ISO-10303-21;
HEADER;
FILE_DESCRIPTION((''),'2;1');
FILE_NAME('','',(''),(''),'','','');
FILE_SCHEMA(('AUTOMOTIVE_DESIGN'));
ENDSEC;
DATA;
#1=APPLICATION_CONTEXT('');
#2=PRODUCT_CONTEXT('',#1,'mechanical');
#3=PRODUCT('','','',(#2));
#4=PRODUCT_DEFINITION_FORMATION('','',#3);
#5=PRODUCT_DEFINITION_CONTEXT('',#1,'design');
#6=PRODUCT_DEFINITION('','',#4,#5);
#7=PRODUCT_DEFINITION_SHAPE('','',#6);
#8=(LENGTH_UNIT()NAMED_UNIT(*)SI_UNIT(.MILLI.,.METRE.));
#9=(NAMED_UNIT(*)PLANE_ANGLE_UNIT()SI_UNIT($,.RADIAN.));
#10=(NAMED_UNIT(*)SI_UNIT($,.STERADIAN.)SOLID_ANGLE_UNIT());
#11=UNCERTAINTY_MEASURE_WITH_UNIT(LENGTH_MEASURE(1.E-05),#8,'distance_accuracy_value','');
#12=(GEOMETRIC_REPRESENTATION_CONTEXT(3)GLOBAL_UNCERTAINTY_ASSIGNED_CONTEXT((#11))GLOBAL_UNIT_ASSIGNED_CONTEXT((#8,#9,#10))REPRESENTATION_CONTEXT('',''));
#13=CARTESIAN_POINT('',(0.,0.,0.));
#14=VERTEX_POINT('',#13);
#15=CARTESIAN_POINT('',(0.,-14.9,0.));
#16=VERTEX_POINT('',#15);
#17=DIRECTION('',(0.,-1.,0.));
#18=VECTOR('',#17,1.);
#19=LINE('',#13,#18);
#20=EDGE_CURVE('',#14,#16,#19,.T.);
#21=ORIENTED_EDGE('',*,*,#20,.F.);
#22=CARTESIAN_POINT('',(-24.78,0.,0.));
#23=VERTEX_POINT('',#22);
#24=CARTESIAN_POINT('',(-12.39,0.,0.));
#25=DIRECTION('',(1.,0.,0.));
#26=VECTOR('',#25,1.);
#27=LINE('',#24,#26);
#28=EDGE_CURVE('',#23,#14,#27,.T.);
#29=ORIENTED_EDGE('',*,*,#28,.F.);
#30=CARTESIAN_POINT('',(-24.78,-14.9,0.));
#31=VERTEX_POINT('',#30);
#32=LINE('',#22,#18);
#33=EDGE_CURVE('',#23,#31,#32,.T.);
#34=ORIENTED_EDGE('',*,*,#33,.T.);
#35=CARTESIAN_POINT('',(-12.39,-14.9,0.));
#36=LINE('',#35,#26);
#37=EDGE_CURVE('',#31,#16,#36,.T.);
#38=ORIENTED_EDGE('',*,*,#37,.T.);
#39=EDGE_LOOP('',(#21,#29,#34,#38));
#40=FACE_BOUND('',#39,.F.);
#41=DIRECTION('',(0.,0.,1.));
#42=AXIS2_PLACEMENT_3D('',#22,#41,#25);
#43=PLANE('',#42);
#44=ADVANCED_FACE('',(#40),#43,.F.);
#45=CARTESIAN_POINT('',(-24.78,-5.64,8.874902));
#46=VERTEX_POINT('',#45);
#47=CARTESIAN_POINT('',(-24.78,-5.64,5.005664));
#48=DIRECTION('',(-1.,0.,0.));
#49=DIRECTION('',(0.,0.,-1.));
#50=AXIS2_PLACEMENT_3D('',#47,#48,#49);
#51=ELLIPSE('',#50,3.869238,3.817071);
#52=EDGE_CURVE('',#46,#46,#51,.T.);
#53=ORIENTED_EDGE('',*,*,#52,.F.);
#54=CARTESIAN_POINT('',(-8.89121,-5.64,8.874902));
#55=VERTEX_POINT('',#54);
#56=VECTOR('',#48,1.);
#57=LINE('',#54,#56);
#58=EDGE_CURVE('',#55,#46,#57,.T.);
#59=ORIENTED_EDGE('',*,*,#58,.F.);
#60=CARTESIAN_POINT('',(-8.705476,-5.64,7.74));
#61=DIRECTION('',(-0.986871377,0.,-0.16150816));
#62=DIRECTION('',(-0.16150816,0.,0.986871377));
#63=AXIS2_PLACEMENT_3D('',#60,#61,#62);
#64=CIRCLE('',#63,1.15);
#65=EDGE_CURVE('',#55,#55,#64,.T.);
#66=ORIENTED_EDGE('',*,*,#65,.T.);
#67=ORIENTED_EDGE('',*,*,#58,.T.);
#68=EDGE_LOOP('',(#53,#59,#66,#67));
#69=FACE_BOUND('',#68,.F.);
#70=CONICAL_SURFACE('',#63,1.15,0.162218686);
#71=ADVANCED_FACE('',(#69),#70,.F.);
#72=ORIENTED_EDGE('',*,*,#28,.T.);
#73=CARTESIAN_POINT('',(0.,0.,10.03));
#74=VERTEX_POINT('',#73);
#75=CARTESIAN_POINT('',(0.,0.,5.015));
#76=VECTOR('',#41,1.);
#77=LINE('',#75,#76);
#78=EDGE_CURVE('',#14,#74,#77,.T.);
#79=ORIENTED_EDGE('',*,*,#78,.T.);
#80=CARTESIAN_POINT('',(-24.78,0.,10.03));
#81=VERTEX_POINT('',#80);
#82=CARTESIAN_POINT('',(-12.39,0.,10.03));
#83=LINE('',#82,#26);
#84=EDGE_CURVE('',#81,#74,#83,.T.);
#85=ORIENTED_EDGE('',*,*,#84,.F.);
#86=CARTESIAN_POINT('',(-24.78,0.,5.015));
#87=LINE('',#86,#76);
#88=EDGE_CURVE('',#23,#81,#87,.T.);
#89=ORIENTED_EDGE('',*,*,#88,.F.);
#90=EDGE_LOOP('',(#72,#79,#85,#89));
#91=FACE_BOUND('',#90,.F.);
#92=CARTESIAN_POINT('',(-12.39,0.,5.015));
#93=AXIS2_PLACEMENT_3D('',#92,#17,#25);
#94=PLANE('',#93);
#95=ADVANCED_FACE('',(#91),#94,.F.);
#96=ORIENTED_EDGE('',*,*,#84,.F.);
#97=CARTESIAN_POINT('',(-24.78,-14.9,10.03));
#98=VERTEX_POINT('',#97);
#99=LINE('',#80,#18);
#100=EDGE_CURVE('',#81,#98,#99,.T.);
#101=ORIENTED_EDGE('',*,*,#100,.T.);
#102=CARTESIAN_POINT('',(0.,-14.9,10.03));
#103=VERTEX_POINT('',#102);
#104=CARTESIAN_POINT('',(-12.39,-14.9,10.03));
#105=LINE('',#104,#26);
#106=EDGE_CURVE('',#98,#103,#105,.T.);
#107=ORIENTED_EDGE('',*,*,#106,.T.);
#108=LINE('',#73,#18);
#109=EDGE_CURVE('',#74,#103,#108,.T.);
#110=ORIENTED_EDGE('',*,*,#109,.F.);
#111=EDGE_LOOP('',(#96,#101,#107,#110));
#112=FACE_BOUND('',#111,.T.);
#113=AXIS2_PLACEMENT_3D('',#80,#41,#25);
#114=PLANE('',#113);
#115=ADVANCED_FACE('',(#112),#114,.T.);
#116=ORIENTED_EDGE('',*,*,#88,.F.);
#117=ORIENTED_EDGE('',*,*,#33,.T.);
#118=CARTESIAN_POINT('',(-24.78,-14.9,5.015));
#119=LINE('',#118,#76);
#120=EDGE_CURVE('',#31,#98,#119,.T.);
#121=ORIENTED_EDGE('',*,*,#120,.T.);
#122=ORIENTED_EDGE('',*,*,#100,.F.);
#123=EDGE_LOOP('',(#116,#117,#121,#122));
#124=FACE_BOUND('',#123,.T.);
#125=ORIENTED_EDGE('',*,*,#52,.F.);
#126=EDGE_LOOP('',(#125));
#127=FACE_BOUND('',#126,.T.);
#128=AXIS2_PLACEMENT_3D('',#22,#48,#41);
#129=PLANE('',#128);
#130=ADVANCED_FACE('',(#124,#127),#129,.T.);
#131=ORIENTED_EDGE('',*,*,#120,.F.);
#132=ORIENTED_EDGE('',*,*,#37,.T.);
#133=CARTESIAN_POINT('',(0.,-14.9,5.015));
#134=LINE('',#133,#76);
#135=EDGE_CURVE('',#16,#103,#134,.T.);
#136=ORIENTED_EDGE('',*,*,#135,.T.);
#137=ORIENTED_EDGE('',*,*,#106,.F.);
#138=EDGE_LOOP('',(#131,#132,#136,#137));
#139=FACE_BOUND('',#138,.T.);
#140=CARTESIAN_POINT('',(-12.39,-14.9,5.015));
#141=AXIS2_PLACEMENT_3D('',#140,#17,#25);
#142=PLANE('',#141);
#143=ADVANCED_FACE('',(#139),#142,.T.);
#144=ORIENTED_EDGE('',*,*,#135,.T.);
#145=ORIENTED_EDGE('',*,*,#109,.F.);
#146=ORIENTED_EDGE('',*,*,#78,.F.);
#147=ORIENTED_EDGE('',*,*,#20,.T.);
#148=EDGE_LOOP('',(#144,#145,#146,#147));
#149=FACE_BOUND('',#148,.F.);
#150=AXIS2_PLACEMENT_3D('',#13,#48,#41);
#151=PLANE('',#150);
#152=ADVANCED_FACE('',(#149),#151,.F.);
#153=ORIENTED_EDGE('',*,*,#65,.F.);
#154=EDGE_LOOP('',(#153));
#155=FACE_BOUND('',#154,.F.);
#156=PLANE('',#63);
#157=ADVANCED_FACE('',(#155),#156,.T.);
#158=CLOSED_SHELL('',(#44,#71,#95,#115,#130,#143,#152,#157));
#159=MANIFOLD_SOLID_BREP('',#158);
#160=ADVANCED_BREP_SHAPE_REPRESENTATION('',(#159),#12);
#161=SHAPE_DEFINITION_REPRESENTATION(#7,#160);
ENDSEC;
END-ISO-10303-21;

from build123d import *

# Parameters (mm, degrees)
F0_W     = 24.78
F0_H     = 10.03
F1_DEPTH = 14.9


with BuildPart() as f1:
    # F0 (on Front) → F1 (new body)
    with BuildSketch(Plane.XZ):
        with Locations((-12.39, 5.015)):
            Rectangle(F0_W, F0_H)
    extrude(amount=F1_DEPTH)

    # F3 (on offset) → F4 (revolve, cut)
    with BuildSketch(Plane.XZ.offset(5.64)):
        Polygon((-8.7054759357, 7.74), (-8.8912103195, 8.8749020833), (-26.6612103195, 8.8749020833), (-26.011947517, 4.9076791486), align=None)
    revolve(axis=Axis((-17.3587117264, -5.64, 6.3238395743), (-0.9868713768, 0, -0.1615081598)), mode=Mode.SUBTRACT)


solid = f1.part
